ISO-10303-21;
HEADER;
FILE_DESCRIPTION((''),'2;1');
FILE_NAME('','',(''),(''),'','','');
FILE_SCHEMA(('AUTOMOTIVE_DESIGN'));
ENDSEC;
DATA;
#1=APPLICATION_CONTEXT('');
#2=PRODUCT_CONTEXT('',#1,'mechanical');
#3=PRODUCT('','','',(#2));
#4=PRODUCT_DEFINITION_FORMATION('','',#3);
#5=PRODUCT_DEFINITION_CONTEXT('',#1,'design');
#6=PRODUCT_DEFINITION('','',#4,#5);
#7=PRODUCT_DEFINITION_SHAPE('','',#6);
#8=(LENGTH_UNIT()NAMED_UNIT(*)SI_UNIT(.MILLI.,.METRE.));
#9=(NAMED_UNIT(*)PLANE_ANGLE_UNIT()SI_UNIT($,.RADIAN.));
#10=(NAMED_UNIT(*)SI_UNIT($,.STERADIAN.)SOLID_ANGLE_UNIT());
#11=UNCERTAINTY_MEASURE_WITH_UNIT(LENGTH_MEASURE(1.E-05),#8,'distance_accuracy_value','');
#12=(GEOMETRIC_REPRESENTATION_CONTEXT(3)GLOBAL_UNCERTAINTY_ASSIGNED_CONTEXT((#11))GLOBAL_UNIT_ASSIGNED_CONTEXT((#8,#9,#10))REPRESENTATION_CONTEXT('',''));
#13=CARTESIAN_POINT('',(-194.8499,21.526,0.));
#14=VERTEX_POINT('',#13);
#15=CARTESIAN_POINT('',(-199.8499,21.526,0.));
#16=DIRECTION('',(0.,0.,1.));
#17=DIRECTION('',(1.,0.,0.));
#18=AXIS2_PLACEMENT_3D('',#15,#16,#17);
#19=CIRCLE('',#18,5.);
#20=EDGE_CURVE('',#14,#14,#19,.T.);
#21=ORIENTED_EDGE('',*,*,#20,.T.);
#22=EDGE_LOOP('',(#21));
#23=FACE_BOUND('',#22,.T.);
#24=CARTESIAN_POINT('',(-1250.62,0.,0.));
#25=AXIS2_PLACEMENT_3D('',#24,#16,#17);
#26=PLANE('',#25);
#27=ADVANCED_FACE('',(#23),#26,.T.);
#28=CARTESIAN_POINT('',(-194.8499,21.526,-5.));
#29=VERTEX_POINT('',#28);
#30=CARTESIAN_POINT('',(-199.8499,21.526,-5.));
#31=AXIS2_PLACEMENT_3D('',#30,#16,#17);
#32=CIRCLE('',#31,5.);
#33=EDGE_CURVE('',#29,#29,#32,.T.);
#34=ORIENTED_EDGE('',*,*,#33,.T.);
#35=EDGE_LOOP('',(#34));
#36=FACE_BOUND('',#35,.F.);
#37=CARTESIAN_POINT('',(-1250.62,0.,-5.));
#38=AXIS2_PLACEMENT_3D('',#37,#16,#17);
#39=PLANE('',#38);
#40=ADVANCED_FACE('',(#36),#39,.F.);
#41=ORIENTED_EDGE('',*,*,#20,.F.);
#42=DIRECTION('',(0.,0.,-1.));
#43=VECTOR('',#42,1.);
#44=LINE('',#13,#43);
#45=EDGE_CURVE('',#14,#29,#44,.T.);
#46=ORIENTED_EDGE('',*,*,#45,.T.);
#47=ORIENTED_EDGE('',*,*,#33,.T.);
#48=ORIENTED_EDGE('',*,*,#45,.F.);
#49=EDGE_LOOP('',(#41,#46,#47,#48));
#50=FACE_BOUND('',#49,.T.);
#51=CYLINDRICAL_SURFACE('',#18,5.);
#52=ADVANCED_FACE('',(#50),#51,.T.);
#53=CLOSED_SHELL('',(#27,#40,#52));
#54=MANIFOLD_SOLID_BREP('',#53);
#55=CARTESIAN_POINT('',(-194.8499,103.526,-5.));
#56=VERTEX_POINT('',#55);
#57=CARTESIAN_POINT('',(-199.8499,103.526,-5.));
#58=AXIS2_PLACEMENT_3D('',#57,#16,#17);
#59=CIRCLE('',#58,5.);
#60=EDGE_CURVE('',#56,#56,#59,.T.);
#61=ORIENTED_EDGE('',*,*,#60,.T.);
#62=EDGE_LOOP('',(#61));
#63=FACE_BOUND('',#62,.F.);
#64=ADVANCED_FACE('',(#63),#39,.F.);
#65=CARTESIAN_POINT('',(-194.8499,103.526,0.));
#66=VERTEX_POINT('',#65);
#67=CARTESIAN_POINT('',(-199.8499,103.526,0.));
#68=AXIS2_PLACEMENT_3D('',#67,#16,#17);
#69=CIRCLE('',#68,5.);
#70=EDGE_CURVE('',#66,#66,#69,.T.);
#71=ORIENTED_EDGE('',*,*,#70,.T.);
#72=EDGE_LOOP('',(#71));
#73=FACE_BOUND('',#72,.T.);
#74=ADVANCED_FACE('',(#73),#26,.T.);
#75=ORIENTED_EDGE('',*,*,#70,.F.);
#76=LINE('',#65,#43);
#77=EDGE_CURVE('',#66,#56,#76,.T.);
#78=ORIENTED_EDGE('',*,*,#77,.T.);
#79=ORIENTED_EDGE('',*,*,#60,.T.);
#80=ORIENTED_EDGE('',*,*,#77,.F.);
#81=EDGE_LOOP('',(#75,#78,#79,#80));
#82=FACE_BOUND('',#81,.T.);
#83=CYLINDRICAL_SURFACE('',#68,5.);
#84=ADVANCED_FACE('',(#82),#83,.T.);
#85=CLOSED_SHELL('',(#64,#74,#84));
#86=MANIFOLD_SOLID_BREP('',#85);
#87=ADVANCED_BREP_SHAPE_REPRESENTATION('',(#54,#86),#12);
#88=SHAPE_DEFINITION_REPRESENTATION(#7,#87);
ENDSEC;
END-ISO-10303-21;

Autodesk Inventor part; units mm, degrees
ref_plane "YZ Plane" through (0, 0, 0) normal (1, 0, 0) x (0, 1, 0)
ref_plane "XZ Plane" through (0, 0, 0) normal (0, 1, 0) x (-1, 0, 0)
ref_plane "XY Plane" through (0, 0, 0) normal (0, 0, 1) x (1, 0, 0)
ref_plane "Work Plane1" through (-1250.62, 0, 0) normal (0, 0, 1) x (1, 0, 0)
sketch "Sketch1" plane through (-1250.62, 0, 0) normal (0, 0, 1) x (1, 0, 0)
  line L0 (334.6073, 62.526) -> (1495.298, 62.526)
  line L1 (1300.7701, 117.526) -> (1295.7701, 117.526) projected
  line L2 (1295.7701, 17.526) -> (1300.7701, 17.526) projected
  line L3 (1050.7701, 21.526) -> (1050.7701, 103.526)
  point P0 (1250.62, 0)
  point P1 (1050.7701, 62.526)
  dimension "d0" = 82
  dimension "d1" = 250
sketch "Sketch2" plane through (-1250.62, 0, 0) normal (0, 0, 1) x (1, 0, 0)
  circle A0 centre (1050.7701, 21.526) radius 5
  circle A1 centre (1050.7701, 103.526) radius 5
  point P0 (1250.62, 0)
  dimension "d2" = 10
  dimension "d3" = 10
extrude "Extrusion1" add sketch "Sketch2" against normal blind 5
properties part number "union_frenos"
